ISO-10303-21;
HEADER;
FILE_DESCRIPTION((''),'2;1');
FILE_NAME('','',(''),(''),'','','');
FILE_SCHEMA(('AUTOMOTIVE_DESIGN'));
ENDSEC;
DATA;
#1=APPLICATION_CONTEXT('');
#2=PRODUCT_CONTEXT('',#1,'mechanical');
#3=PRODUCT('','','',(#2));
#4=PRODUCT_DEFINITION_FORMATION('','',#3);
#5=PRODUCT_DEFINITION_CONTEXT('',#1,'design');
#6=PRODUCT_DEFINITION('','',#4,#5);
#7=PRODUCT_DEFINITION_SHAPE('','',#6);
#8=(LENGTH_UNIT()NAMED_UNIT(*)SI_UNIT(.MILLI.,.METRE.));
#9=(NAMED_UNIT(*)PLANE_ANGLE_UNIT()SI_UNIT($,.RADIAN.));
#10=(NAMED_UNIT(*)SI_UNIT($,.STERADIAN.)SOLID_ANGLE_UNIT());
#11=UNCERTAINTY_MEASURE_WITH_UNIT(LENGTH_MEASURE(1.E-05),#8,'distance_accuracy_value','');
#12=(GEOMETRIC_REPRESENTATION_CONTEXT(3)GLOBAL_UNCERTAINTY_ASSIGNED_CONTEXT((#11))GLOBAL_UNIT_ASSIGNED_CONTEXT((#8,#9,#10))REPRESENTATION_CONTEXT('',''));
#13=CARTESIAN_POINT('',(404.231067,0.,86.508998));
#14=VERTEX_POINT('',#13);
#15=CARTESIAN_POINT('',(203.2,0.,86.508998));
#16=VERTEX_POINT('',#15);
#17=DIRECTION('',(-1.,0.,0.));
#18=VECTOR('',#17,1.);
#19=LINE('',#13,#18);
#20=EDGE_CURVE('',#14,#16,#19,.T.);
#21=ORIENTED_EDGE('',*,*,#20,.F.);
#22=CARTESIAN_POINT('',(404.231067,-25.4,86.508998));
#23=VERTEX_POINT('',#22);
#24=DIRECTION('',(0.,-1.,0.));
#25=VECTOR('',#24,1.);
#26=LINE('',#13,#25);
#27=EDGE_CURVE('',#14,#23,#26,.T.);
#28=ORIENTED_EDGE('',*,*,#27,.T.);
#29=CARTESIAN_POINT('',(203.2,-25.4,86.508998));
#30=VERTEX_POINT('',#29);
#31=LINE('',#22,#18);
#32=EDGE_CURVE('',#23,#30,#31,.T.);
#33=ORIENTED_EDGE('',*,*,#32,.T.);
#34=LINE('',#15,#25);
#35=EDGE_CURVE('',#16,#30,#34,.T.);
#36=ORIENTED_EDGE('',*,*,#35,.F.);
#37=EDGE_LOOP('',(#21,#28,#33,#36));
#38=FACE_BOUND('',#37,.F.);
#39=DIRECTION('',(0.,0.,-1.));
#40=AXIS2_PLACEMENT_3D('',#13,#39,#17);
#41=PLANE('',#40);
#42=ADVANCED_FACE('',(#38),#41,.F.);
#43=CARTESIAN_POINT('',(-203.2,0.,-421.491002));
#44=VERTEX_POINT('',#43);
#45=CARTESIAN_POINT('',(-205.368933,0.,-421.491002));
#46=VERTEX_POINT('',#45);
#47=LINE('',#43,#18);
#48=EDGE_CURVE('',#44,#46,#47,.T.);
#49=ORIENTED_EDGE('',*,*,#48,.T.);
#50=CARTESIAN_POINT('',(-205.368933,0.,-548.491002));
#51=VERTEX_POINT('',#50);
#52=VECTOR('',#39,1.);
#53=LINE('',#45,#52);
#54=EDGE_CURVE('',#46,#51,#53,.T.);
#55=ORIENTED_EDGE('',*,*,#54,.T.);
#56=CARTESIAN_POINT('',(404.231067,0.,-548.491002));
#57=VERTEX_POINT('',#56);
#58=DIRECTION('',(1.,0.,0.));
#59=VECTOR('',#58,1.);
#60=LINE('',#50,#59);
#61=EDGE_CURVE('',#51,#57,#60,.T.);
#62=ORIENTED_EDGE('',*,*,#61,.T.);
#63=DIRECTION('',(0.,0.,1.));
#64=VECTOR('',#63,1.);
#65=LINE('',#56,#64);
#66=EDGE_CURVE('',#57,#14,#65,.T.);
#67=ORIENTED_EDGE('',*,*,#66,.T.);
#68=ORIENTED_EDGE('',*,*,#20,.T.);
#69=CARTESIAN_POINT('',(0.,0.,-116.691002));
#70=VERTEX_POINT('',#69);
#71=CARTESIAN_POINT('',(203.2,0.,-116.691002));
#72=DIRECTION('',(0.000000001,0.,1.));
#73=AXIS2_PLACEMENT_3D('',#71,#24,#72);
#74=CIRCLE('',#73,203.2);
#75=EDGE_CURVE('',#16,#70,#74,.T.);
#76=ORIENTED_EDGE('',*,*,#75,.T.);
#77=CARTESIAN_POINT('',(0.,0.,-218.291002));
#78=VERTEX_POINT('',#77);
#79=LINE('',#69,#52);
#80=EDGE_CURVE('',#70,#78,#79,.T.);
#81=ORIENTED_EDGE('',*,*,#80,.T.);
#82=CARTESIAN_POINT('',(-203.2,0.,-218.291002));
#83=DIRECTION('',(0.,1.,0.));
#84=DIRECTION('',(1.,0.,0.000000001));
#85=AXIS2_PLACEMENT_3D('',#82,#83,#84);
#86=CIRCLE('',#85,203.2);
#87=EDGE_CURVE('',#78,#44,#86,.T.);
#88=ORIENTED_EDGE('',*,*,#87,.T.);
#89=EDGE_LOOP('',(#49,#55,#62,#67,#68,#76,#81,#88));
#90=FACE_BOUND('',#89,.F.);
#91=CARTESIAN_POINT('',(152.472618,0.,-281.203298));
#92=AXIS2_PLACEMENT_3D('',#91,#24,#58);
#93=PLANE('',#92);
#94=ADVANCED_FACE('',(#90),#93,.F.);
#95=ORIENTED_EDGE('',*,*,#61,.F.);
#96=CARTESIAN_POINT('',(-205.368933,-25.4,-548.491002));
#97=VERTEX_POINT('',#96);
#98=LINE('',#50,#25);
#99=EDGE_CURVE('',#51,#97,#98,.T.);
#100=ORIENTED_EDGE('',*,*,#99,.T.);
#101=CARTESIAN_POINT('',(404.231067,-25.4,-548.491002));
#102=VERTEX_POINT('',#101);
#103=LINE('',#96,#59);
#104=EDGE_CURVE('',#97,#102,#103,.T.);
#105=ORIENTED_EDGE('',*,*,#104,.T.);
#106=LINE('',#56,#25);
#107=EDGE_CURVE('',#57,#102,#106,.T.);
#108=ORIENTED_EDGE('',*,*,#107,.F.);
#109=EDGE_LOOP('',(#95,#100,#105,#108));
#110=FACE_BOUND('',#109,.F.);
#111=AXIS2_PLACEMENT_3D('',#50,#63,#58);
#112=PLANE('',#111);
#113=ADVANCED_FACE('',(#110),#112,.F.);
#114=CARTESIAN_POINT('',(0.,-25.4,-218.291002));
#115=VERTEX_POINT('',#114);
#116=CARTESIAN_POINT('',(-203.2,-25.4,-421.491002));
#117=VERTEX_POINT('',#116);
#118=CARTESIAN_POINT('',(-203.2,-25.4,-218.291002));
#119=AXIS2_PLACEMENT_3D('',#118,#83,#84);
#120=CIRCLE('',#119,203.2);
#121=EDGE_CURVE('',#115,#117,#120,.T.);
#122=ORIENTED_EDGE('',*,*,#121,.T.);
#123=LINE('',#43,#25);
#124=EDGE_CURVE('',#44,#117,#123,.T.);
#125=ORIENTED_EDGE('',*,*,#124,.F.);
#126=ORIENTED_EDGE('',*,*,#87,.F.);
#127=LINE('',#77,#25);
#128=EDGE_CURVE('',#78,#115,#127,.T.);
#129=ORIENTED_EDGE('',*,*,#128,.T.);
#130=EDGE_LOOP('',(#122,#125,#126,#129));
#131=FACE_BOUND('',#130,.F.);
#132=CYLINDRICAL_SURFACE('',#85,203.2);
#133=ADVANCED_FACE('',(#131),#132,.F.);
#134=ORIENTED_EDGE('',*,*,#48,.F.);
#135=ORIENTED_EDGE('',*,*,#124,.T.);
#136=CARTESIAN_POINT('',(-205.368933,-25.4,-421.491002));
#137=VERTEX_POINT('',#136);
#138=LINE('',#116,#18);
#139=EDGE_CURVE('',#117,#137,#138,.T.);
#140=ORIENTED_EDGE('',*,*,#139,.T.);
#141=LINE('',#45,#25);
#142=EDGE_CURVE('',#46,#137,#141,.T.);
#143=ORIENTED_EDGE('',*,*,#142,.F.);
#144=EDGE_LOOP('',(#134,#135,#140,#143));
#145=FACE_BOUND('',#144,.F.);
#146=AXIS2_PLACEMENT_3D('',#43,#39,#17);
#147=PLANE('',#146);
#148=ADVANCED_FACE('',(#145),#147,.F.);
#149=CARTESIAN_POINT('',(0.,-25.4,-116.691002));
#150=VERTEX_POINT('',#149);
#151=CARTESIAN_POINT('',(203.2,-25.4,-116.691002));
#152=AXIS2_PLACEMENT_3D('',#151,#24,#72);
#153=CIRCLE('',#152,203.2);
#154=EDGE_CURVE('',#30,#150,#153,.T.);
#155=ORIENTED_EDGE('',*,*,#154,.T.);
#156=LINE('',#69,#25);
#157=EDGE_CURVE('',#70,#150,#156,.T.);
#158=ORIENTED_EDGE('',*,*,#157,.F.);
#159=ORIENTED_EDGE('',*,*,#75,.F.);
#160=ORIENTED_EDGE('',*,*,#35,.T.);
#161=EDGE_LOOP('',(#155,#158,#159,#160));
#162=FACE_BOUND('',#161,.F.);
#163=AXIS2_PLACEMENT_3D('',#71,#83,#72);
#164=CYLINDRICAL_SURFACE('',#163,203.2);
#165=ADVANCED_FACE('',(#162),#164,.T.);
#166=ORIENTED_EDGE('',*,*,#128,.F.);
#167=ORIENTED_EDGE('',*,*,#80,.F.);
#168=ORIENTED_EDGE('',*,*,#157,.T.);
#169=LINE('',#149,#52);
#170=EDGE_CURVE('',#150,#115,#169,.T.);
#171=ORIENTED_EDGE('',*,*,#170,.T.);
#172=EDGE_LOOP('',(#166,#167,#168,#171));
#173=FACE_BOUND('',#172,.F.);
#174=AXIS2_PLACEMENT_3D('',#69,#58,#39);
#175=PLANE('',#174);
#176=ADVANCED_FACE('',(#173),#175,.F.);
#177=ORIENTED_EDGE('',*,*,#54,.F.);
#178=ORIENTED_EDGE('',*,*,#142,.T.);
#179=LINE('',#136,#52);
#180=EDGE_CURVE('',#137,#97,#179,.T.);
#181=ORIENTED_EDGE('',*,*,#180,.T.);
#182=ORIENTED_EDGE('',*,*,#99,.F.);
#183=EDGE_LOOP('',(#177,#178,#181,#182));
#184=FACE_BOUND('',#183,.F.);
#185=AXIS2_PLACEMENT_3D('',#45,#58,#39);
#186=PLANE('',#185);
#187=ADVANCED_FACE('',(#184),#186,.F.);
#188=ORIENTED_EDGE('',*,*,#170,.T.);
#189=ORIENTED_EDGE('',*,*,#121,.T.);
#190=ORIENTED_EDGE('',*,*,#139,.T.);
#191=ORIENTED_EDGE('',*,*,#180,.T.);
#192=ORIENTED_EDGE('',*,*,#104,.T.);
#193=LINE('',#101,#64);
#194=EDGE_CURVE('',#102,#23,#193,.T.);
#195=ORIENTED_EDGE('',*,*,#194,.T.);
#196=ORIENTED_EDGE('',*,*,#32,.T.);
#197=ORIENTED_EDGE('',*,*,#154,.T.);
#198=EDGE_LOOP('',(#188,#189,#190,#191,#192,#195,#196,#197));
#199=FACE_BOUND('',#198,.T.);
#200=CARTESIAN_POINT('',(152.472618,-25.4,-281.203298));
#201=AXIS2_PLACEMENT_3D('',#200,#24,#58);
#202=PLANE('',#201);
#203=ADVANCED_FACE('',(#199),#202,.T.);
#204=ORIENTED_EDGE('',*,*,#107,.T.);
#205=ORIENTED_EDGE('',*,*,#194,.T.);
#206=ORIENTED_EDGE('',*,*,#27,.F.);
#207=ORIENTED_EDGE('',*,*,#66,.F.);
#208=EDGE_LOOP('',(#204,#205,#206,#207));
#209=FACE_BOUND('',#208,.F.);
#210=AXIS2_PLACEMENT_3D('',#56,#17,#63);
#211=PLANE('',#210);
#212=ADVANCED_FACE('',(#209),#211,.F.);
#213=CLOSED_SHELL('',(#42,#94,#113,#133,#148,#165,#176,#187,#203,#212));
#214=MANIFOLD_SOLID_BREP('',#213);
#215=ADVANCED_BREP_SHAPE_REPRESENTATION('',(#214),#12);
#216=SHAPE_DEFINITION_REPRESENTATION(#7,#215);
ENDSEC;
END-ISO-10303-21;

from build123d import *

# Parameters (mm, degrees)
F1_DEPTH = 25.4


with BuildPart() as f1:
    # F0 (on Front) → F1 (new body)
    with BuildSketch(Plane.XZ):
        with BuildLine():
            Line((404.231067, 86.508998), (277.231067, 86.508998))
            Line((277.231067, 86.508998), (203.2, 86.508998))
            ThreePointArc((203.2, 86.508998), (59.515902, 26.993096), (0, -116.691002))
            Line((0, -116.691002), (0, -176.896468))
            Line((0, -176.896468), (0, -218.291002))
            ThreePointArc((0, -218.291002), (-59.515902, -361.9751), (-203.2, -421.491002))
            Line((-203.2, -421.491002), (-205.368933, -421.491002))
            Line((-205.368933, -421.491002), (-205.368933, -548.491002))
            Line((-205.368933, -548.491002), (404.231067, -548.491002))
            Line((404.231067, -548.491002), (404.231067, 86.508998))
        make_face()
    extrude(amount=F1_DEPTH)


solid = f1.part
